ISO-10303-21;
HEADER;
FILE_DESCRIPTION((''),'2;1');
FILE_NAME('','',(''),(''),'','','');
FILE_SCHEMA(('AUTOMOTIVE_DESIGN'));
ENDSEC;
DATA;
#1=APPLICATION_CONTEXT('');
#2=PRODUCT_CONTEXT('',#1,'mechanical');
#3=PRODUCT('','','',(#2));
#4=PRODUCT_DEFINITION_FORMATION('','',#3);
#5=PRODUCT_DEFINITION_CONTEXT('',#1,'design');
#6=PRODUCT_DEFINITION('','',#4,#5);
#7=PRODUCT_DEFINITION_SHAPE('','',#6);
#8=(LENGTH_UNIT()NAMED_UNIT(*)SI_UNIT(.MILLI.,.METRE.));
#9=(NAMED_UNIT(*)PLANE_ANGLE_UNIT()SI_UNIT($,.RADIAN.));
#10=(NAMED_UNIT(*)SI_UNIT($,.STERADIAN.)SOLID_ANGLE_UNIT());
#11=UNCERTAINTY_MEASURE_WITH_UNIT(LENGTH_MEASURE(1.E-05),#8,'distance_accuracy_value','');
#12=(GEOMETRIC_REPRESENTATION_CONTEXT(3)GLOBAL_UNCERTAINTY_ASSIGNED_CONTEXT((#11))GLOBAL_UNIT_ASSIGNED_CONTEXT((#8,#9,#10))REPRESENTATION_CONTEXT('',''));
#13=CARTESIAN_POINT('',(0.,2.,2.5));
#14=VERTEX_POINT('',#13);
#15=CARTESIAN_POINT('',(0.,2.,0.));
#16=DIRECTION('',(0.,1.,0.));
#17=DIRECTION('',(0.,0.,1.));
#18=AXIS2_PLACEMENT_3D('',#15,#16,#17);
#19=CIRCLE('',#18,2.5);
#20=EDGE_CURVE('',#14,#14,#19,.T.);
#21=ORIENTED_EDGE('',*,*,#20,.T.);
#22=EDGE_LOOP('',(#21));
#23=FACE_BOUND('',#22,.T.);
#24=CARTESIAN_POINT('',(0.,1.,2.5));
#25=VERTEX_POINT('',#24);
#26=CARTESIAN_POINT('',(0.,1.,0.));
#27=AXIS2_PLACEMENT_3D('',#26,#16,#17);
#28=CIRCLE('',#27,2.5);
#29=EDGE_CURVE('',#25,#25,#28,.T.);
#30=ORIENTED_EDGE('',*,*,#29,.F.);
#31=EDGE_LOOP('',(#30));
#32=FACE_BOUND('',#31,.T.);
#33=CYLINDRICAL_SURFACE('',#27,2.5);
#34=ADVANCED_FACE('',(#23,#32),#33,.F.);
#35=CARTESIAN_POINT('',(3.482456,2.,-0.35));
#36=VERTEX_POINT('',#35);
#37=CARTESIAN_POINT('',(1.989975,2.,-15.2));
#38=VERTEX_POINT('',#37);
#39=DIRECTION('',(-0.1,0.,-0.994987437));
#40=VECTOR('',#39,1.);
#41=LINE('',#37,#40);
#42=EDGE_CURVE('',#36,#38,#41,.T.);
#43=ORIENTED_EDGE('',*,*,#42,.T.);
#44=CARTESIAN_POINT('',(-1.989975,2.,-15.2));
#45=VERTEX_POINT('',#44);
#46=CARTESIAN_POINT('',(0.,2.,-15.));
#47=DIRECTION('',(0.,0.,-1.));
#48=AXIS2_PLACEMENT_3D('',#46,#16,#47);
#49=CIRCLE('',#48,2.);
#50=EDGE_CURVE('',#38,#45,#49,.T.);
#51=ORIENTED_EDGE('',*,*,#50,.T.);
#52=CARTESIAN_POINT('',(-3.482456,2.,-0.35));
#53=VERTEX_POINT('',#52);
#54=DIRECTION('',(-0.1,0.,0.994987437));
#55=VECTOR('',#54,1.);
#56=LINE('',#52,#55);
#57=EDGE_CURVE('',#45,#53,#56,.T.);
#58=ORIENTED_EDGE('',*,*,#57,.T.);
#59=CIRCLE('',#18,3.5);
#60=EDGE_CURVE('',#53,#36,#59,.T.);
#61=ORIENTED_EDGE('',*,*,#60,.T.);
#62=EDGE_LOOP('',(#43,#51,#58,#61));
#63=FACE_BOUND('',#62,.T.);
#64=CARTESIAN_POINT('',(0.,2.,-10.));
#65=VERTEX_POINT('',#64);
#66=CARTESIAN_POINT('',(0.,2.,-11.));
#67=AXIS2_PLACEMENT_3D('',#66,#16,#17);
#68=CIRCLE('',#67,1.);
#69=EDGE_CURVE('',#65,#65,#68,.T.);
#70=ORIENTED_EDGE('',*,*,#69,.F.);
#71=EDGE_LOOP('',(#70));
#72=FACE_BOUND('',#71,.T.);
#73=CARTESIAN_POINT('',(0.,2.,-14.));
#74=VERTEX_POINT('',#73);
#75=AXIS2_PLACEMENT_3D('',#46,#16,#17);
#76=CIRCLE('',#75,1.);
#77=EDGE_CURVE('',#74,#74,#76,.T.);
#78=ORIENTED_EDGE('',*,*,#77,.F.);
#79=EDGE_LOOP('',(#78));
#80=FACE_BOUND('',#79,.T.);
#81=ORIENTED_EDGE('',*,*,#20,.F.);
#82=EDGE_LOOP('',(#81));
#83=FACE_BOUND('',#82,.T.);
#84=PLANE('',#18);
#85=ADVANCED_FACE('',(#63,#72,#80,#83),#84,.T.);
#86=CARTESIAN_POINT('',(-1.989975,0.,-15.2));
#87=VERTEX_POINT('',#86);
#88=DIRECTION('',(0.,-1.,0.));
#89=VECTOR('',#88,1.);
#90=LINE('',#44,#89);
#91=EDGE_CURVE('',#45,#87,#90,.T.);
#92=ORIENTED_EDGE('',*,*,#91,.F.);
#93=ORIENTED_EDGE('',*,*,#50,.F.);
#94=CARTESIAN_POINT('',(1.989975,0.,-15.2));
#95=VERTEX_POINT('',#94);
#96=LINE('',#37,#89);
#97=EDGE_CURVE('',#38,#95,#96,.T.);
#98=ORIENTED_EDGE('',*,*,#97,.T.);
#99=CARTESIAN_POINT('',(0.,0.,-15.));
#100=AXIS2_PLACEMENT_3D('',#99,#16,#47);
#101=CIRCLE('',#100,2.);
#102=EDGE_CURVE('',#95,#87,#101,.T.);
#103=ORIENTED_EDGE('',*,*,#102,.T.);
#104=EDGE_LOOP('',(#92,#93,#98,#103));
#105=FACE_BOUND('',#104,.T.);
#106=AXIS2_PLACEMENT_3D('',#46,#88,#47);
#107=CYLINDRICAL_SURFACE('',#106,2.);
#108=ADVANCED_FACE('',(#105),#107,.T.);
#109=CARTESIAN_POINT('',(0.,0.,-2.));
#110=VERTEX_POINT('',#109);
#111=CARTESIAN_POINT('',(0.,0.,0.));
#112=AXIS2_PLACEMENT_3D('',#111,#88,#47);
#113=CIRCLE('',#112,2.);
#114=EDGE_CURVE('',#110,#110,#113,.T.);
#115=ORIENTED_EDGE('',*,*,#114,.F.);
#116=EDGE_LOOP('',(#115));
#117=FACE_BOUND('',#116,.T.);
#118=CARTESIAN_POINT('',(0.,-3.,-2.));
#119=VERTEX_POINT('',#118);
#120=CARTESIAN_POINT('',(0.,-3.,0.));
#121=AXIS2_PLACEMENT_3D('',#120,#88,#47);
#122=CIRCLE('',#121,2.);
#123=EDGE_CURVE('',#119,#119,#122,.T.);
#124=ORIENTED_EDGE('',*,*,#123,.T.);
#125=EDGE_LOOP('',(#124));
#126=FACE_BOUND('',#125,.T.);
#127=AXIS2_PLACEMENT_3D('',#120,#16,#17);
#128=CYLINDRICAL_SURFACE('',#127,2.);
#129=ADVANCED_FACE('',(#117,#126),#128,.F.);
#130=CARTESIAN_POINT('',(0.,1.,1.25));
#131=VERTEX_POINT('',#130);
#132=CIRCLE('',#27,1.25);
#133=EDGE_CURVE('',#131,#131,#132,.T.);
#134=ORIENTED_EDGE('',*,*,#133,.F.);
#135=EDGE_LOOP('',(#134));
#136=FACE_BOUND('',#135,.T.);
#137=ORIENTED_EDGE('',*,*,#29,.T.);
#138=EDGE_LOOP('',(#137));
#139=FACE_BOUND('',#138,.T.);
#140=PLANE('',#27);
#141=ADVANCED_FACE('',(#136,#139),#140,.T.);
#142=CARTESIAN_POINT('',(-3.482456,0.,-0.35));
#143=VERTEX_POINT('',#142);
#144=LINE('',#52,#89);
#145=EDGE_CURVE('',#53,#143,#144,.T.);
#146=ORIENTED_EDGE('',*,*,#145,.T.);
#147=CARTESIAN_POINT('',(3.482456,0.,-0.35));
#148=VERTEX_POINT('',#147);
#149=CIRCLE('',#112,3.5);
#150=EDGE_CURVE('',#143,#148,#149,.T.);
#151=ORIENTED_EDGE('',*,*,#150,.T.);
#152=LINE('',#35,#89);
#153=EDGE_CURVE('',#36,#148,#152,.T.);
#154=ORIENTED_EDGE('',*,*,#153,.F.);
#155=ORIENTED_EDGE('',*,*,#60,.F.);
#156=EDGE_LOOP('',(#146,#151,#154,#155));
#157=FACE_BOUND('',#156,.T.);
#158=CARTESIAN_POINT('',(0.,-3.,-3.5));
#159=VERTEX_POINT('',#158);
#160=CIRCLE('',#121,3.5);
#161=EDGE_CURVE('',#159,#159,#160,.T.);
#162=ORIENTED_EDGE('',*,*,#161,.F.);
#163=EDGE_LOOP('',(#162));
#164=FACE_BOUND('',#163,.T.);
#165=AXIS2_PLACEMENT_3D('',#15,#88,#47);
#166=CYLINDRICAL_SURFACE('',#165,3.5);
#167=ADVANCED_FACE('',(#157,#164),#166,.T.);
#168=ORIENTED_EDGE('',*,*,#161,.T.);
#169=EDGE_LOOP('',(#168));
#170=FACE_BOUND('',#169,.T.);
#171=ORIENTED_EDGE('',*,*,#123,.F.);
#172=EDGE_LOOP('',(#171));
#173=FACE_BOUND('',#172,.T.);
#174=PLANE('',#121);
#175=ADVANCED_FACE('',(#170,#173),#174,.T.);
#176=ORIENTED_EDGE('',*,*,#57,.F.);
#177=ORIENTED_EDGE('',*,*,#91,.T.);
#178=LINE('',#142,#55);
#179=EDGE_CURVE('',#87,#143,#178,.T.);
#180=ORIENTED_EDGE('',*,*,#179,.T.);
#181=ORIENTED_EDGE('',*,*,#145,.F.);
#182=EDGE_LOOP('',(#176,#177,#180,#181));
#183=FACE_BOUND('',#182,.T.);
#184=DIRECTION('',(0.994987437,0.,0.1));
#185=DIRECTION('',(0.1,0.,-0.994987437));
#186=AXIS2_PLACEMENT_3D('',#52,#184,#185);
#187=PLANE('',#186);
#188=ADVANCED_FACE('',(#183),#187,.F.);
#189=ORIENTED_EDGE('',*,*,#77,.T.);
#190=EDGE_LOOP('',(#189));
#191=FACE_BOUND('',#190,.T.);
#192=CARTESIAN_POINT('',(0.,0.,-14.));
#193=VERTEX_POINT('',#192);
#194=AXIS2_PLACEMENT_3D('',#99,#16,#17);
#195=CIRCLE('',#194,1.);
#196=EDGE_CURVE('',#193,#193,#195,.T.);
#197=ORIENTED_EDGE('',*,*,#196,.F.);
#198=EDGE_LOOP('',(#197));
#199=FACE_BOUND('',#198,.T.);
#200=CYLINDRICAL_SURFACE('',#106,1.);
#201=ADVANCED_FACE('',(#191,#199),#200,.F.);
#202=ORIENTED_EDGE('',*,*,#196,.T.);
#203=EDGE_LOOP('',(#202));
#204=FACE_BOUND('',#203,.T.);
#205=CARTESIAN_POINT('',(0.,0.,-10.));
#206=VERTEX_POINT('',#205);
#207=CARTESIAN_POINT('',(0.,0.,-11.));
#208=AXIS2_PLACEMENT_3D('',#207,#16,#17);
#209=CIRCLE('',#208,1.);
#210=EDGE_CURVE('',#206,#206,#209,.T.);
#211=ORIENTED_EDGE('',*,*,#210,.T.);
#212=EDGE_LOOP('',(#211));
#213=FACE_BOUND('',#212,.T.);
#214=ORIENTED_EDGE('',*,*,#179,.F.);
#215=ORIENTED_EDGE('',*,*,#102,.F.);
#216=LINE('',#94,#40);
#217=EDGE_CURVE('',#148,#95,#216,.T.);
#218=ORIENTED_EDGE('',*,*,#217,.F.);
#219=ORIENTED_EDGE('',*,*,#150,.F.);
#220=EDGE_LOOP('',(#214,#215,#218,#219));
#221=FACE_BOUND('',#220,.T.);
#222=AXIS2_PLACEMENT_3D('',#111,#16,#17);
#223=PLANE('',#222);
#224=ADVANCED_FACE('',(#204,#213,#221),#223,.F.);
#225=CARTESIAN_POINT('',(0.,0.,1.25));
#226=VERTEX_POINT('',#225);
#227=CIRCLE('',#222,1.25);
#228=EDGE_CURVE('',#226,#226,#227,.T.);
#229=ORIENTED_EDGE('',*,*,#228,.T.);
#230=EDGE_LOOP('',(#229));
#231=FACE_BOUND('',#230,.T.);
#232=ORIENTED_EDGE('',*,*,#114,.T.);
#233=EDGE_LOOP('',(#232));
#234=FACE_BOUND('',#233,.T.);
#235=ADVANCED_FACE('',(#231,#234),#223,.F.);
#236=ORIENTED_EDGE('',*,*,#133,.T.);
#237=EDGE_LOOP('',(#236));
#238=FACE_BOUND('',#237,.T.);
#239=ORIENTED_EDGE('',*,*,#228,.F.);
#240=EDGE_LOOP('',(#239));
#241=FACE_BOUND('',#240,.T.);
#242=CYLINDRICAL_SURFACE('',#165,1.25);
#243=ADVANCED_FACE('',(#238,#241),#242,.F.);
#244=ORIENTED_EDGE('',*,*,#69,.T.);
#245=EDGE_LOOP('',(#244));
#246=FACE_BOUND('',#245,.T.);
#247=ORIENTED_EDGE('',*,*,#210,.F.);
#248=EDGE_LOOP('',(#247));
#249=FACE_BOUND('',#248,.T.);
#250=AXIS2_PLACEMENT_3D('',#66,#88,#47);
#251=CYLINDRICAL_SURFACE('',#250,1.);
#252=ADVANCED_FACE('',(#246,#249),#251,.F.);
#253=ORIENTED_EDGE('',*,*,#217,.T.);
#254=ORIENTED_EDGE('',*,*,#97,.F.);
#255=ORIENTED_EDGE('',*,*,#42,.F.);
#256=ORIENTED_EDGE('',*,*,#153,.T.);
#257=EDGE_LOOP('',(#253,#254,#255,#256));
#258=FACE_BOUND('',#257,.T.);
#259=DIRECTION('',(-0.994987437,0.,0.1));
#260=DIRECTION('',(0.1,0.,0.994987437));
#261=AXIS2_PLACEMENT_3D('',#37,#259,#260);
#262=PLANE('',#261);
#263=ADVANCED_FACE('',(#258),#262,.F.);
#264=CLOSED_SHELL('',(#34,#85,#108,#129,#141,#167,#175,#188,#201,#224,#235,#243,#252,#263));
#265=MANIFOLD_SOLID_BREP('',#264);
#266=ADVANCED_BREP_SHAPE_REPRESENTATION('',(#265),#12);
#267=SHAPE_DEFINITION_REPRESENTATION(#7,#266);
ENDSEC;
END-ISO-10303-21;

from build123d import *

# Parameters (mm, degrees)
SKETCH_1_R          = 1
SKETCH_1_R_2        = 1.25
EXTRUDE_1_DEPTH     = 2
EXTRUDE_START       = 3
SKETCH_2_R          = 3.5
SKETCH_2_R_2        = 2
EXTRUDE_2_DEPTH     = 3
SKETCH_3_R          = 2.5
CUT_EXTRUDE_1_DEPTH = 1


with BuildPart() as part:
    # 草图1 → 凸台-拉伸1 (new body)
    with BuildSketch(Plane(origin=(0, 0, 0), x_dir=(1, 0, 0), z_dir=(0, 1, 0))):
        with BuildLine():
            Line((-3.48245603, 0.35), (-1.989974874, 15.2))
            ThreePointArc((-1.989974874, 15.2), (0, 17), (1.989974874, 15.2))
            Line((1.989974874, 15.2), (3.48245603, 0.35))
            ThreePointArc((3.48245603, 0.35), (0, -3.5), (-3.48245603, 0.35))
        make_face()
        with Locations(Location((0, 15, 0), (0, 0, 270))):
            Circle(SKETCH_1_R, mode=Mode.SUBTRACT)
        with Locations(Location((0, 11, 0), (0, 0, 270))):
            Circle(SKETCH_1_R, mode=Mode.SUBTRACT)
        with Locations(Location((0, 0, 0), (0, 0, 270))):
            Circle(SKETCH_1_R_2, mode=Mode.SUBTRACT)
    extrude(amount=EXTRUDE_1_DEPTH)

    # 草图2 → 凸台-拉伸2 (add)
    with BuildSketch(Plane.XZ.offset(EXTRUDE_START)):
        with Locations(Location((0, 0, 0), (0, 0, 270))):
            Circle(SKETCH_2_R)
        with Locations(Location((0, 0, 0), (0, 0, 270))):
            Circle(SKETCH_2_R_2, mode=Mode.SUBTRACT)
    extrude(amount=-EXTRUDE_2_DEPTH)

    # 草图3 → 切除-拉伸1 (cut)
    with BuildSketch(Plane(origin=(0, 2, 0), x_dir=(1, 0, 0), z_dir=(0, 1, 0))):
        with Locations(Location((0, 0, 0), (0, 0, 270))):
            Circle(SKETCH_3_R)
    extrude(amount=-CUT_EXTRUDE_1_DEPTH, mode=Mode.SUBTRACT)


solid = part.part
